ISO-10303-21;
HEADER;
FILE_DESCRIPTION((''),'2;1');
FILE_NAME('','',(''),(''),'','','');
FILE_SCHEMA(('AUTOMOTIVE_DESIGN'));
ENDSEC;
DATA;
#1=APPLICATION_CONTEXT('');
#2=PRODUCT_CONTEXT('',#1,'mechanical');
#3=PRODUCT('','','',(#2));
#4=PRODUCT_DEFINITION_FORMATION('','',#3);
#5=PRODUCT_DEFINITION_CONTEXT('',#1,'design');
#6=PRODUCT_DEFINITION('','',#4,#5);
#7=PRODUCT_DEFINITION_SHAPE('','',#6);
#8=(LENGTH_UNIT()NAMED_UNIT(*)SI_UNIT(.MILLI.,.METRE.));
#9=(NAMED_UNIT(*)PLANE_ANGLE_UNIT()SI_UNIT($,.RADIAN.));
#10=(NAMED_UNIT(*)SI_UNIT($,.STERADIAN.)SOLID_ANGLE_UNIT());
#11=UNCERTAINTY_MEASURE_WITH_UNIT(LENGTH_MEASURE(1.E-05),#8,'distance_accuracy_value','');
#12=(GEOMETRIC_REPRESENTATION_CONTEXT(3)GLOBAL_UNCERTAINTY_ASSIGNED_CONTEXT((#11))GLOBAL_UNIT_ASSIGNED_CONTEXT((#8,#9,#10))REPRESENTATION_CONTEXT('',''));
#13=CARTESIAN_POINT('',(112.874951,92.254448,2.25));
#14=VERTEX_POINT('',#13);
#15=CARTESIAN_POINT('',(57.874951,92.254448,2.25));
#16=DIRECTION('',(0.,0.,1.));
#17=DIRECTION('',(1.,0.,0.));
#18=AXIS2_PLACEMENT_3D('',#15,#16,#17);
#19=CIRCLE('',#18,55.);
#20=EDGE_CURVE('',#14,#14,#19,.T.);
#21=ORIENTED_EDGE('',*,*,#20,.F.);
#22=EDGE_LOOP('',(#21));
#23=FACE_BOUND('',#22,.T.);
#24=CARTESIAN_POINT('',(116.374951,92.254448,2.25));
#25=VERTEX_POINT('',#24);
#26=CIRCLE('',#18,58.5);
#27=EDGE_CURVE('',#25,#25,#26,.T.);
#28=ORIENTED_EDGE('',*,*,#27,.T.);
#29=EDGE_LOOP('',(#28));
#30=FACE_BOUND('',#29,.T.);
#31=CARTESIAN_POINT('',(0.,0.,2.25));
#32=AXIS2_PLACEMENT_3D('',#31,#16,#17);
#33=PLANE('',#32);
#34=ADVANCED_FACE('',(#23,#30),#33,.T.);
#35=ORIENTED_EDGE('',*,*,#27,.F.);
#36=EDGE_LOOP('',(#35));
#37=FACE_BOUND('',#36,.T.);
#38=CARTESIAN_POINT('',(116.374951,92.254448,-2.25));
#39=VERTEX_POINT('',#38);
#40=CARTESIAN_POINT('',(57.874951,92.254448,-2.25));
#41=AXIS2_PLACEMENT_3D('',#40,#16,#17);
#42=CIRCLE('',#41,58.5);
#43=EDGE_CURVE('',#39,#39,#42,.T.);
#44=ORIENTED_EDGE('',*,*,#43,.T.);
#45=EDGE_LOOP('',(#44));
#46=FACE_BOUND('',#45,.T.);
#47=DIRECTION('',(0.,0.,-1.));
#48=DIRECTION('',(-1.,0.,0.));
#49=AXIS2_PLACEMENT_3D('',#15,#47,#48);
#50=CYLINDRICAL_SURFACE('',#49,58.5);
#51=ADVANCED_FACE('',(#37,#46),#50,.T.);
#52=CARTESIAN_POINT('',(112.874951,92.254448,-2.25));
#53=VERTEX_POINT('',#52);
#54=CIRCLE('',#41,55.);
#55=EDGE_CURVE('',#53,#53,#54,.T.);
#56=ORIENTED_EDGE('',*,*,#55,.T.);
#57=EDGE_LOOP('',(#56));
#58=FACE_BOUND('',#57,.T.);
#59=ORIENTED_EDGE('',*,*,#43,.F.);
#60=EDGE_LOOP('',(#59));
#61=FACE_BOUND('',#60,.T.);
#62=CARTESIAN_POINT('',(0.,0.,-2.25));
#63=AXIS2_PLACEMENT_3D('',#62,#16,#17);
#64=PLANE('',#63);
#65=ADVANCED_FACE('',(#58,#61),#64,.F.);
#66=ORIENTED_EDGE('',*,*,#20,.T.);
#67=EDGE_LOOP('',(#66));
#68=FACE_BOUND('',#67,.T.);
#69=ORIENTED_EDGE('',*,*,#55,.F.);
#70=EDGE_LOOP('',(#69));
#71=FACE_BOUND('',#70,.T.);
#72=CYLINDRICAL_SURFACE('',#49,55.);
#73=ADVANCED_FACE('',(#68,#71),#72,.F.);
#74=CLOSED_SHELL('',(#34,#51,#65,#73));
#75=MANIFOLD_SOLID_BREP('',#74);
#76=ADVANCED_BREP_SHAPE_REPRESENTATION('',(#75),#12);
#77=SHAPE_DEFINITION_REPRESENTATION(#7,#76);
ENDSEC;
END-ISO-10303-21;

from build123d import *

# Parameters (mm, degrees)
SKETCH1_R           = 58.5
SKETCH1_R_2         = 55
BOSS_EXTRUDE1_DEPTH = 2.25


with BuildPart() as part:
    # Sketch1 → Boss-Extrude1 (new, symmetric)
    with BuildSketch(Plane.XY):
        with Locations((57.874950517, 92.254448376)):
            Circle(SKETCH1_R)
        with Locations((57.874950517, 92.254448376)):
            Circle(SKETCH1_R_2, mode=Mode.SUBTRACT)
    extrude(amount=BOSS_EXTRUDE1_DEPTH, both=True)


solid = part.part
